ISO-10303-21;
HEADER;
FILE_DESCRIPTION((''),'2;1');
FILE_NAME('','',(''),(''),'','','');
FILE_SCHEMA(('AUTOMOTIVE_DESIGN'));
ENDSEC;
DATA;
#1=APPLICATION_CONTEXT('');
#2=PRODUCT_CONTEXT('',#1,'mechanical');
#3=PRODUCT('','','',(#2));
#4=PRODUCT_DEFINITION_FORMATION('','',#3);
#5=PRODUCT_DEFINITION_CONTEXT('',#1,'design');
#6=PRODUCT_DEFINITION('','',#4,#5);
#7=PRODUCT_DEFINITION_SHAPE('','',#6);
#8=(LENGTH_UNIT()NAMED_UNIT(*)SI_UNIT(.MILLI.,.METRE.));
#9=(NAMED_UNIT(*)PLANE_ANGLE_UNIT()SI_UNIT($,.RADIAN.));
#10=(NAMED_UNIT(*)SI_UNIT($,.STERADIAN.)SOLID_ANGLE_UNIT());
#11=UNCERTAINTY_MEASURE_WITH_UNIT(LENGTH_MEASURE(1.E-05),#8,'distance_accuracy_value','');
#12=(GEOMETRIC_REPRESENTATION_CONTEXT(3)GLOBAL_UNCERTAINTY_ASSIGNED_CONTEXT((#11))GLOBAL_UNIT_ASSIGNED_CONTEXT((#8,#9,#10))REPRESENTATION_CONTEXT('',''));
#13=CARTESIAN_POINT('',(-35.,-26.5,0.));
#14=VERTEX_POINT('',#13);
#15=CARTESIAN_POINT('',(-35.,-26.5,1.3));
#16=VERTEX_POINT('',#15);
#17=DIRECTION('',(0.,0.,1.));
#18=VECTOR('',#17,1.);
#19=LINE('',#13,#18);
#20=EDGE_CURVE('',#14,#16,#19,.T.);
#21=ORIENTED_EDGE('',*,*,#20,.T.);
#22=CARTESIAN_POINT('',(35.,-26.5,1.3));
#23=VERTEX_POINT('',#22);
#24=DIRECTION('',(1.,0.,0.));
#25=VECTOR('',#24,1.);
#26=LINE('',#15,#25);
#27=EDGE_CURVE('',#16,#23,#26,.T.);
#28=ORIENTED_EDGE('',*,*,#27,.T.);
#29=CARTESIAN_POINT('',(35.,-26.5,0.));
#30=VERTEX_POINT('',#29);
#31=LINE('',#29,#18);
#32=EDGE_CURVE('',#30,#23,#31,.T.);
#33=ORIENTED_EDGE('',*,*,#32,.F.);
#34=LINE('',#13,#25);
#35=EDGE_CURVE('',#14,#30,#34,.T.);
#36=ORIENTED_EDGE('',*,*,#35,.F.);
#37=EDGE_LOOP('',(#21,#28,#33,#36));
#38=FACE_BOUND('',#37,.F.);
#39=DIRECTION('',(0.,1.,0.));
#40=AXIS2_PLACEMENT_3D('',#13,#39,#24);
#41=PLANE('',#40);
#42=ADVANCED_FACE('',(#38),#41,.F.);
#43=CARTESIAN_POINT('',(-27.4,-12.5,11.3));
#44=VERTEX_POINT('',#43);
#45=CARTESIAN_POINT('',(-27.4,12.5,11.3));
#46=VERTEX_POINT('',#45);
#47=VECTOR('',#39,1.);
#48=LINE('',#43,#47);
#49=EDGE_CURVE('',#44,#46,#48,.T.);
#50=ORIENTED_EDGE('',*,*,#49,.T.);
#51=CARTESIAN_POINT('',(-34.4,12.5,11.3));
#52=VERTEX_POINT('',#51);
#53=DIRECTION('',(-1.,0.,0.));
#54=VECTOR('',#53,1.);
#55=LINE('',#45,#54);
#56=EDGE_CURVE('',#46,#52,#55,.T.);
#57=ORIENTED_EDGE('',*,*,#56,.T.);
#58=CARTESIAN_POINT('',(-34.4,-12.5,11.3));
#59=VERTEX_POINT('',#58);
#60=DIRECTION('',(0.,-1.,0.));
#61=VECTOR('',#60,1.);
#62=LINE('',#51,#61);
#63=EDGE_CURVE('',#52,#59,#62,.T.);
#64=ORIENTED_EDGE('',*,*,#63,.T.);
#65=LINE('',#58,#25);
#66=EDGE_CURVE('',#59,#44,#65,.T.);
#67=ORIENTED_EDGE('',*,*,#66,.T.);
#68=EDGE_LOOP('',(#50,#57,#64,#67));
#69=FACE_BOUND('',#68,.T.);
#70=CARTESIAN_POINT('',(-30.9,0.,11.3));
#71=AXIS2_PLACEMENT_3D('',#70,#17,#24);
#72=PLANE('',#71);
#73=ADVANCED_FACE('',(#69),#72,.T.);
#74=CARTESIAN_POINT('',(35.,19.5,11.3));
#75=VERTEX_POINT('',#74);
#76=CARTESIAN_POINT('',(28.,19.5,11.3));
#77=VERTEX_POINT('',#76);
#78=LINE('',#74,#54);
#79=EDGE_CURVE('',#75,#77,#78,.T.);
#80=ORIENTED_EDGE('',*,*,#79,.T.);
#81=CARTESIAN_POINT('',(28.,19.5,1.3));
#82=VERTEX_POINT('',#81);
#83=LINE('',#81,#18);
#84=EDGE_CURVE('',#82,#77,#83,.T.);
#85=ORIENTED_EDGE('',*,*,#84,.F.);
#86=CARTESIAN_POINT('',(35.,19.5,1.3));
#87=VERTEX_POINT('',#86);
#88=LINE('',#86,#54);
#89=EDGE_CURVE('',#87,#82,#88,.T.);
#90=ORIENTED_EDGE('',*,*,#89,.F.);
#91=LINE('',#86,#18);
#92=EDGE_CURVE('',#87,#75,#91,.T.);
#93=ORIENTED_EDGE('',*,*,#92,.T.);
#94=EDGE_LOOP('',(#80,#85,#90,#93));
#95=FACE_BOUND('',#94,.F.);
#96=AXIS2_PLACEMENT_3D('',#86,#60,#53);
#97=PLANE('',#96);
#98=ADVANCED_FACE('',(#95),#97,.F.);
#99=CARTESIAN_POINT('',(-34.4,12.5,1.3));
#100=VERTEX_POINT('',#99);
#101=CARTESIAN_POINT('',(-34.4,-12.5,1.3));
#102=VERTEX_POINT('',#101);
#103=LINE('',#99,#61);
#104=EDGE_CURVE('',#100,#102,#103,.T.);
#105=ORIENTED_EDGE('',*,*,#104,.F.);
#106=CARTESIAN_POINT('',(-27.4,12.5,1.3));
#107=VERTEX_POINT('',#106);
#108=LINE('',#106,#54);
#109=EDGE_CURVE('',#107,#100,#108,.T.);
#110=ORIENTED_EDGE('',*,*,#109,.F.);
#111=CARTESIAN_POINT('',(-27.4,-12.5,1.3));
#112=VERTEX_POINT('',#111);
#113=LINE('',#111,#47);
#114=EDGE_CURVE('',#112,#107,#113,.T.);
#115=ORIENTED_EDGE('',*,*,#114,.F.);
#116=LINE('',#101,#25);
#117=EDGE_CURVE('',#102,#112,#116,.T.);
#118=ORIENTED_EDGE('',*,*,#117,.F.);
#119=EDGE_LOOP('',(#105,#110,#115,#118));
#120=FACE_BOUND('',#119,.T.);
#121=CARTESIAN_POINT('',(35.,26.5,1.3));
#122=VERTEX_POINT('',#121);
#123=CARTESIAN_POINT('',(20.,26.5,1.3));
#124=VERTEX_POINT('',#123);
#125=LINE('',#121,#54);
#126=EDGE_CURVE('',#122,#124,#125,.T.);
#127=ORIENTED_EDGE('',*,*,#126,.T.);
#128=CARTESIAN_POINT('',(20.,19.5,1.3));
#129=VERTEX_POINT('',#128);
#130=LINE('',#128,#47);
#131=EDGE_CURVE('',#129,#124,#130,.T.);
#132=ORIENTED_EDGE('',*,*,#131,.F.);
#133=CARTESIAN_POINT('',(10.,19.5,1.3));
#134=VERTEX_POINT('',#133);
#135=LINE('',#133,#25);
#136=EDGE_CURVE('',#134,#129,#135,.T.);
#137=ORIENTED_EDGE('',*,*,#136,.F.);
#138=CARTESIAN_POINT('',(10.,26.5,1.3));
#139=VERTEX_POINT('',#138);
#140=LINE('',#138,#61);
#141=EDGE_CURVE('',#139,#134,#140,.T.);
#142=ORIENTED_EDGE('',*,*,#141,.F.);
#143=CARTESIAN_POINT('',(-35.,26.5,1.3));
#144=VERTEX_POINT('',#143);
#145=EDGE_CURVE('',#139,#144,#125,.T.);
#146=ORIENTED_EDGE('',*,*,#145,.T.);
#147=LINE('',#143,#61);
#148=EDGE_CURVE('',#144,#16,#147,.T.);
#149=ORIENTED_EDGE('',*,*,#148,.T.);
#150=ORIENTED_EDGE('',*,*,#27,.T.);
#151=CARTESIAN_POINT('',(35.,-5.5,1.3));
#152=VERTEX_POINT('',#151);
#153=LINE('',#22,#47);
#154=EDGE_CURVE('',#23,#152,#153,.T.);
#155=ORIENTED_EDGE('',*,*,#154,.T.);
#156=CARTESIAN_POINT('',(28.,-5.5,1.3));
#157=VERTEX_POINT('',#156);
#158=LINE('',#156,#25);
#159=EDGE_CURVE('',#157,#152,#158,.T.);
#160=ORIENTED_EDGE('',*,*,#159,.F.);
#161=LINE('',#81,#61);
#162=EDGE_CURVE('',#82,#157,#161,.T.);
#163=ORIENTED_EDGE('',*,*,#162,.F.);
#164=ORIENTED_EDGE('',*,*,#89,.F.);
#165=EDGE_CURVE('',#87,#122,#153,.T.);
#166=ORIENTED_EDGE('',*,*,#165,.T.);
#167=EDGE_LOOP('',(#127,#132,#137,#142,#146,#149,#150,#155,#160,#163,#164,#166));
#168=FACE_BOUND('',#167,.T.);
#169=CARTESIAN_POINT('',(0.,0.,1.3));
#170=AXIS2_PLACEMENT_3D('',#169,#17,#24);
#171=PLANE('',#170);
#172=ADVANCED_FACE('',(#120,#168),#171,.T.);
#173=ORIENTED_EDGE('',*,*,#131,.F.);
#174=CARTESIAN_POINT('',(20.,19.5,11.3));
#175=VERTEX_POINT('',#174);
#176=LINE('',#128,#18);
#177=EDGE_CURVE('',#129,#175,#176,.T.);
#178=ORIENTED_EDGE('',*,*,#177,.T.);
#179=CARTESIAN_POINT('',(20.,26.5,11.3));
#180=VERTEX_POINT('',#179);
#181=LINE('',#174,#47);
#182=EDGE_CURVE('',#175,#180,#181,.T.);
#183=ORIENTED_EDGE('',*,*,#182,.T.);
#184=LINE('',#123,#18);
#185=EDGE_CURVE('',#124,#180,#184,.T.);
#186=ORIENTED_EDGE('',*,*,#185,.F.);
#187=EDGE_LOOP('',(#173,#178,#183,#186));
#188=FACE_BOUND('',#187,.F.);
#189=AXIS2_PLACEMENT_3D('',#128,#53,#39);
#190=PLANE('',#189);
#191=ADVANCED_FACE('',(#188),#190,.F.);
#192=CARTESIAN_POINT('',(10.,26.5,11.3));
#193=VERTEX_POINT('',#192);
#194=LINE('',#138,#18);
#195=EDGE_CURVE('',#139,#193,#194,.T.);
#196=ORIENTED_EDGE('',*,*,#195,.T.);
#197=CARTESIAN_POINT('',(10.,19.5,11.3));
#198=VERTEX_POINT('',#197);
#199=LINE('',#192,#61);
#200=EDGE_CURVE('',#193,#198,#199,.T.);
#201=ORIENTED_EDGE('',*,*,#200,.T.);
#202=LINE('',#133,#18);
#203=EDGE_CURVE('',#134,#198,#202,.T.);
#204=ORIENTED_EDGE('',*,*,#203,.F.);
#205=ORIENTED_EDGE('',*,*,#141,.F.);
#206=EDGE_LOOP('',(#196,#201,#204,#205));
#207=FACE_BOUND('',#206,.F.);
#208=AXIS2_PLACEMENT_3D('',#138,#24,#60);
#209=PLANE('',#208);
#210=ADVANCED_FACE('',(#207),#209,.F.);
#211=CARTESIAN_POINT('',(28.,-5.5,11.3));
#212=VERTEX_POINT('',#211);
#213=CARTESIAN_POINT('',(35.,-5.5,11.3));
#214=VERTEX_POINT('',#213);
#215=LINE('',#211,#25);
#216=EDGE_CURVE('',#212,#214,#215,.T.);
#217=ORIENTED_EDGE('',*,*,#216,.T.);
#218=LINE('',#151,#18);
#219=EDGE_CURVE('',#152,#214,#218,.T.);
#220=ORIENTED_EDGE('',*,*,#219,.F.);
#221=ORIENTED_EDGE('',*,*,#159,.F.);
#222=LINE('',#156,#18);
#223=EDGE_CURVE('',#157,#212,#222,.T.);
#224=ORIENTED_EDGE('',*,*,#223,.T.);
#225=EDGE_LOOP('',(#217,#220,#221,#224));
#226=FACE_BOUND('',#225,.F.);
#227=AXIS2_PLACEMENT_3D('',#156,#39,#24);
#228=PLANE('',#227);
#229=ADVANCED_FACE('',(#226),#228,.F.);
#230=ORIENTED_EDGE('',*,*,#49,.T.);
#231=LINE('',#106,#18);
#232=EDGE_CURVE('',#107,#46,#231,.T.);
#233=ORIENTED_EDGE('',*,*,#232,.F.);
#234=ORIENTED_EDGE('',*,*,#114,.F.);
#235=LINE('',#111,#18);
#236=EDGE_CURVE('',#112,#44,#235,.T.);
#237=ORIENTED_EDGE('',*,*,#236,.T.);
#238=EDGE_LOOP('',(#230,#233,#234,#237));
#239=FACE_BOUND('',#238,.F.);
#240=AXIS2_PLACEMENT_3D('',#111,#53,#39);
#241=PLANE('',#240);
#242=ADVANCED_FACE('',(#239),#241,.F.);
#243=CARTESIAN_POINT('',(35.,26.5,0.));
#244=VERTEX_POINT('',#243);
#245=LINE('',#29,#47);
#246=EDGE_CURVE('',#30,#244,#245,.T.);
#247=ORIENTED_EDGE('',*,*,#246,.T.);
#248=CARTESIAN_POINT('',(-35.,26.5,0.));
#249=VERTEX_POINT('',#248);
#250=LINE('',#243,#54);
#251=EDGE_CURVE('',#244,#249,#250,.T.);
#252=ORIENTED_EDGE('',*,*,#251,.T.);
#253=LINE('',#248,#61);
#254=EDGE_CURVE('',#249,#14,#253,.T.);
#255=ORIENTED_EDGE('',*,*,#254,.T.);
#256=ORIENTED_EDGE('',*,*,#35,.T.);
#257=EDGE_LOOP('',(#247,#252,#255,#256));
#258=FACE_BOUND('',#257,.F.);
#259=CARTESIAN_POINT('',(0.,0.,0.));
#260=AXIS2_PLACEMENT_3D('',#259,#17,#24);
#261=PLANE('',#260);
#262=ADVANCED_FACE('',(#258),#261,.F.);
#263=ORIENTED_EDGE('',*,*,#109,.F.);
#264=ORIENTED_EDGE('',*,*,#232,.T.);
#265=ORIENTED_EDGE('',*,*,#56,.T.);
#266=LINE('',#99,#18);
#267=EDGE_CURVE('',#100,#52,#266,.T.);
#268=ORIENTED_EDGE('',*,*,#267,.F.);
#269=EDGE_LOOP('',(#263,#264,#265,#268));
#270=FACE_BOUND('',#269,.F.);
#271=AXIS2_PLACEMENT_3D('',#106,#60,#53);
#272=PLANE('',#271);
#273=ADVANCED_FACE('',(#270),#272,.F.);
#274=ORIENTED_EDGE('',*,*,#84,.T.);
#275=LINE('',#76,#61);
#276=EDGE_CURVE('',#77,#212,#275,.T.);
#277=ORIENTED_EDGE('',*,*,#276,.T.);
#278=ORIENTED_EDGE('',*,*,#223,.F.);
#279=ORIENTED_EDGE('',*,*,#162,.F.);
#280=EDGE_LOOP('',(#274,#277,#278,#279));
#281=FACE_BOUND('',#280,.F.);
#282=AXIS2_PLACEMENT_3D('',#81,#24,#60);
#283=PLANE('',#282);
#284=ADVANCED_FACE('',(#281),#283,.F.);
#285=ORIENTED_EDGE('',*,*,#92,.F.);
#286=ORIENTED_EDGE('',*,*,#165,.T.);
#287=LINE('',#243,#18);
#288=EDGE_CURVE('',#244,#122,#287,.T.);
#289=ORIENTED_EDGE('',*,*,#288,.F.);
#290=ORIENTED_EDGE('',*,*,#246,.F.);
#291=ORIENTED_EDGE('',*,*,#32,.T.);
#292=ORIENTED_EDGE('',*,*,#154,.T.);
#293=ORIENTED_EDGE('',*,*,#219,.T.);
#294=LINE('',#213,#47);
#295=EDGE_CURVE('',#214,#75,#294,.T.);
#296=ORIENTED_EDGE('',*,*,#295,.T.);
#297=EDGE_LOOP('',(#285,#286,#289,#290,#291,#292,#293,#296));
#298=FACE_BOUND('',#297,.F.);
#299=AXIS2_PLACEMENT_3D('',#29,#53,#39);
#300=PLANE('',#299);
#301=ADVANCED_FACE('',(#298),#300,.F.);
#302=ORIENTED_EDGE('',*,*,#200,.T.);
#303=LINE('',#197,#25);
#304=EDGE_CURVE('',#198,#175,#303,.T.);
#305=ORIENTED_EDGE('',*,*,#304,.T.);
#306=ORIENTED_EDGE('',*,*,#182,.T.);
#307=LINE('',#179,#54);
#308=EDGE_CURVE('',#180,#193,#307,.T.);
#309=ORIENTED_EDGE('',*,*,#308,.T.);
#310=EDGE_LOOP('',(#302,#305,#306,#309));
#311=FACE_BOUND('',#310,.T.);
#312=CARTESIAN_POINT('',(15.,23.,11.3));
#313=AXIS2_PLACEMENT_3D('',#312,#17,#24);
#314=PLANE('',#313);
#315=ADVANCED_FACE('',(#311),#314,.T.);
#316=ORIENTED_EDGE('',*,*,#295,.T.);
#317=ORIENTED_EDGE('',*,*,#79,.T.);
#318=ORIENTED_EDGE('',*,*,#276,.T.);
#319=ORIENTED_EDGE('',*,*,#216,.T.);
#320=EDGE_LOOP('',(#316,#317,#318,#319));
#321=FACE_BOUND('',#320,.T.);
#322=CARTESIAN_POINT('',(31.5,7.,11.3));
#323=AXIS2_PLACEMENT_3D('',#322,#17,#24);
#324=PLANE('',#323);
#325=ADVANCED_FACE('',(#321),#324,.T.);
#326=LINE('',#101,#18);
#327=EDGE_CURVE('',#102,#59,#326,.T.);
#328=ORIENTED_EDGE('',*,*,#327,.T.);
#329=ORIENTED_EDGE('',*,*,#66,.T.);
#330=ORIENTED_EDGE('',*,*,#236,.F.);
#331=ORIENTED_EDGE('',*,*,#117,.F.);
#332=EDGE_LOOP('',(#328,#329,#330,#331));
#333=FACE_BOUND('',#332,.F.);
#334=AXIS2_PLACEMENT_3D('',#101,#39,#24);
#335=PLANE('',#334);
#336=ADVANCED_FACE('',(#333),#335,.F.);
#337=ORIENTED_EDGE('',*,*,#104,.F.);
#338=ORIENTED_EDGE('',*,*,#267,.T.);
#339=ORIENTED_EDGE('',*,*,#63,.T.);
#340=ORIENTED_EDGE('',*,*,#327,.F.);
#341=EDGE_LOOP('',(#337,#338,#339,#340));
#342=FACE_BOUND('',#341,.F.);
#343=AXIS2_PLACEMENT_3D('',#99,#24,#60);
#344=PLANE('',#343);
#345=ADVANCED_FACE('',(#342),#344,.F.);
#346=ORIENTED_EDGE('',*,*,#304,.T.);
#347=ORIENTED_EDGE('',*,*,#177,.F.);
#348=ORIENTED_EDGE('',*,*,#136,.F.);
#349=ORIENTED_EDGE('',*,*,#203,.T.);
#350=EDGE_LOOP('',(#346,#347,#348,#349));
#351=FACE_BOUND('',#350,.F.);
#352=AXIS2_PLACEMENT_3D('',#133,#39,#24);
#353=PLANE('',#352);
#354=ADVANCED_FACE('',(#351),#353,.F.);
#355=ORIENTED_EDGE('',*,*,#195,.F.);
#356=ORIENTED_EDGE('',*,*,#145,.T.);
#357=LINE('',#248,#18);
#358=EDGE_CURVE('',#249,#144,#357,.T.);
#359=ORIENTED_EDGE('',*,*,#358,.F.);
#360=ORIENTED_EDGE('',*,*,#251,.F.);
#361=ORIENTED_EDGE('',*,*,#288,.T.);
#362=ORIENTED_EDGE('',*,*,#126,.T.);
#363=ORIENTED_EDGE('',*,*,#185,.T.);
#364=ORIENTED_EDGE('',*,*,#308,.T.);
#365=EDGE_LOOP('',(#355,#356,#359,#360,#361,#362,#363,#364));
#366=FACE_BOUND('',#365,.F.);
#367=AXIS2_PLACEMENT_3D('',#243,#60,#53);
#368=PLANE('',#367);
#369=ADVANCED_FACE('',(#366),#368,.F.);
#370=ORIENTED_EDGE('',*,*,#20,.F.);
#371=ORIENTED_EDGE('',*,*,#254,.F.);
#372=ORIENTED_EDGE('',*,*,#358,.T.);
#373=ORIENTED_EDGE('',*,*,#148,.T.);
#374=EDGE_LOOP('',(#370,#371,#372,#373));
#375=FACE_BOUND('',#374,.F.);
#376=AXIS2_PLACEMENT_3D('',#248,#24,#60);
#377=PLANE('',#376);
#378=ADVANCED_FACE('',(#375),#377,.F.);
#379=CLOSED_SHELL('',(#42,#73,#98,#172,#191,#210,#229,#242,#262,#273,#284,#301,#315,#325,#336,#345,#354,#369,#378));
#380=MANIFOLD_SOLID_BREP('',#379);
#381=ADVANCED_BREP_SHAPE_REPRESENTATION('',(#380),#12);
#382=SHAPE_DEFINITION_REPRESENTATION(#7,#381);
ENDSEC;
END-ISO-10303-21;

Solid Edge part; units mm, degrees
sketch "Sketch1" plane through (0, 0, 0) normal (0, 0, 1) x (1, 0, 0)
  line L0 (-35, -26.5) -> (35, -26.5)
  line L1 (35, -26.5) -> (35, 26.5)
  line L2 (35, 26.5) -> (-35, 26.5)
  line L3 (-35, 26.5) -> (-35, -26.5)
  dimension "D1" = 70
  dimension "D2" = 53
extrude "Ajout_matière_1" add sketch "Sketch1" along normal blind 1.3
sketch "Sketch2" plane through (0, 0, 1.3) normal (0, 0, 1) x (1, 0, 0)
  line L0 (10, 19.5) -> (20, 19.5)
  line L1 (20, 19.5) -> (20, 26.5)
  line L2 (20, 26.5) -> (10, 26.5)
  line L3 (10, 26.5) -> (10, 19.5)
  line L4 (28, -5.5) -> (35, -5.5)
  line L5 (35, -5.5) -> (35, 19.5)
  line L6 (35, 19.5) -> (28, 19.5)
  line L7 (28, 19.5) -> (28, -5.5)
  line L8 (-34.4, -12.5) -> (-27.4, -12.5)
  line L9 (-27.4, -12.5) -> (-27.4, 12.5)
  line L10 (-27.4, 12.5) -> (-34.4, 12.5)
  line L11 (-34.4, 12.5) -> (-34.4, -12.5)
  dimension "D1" = 7
  dimension "D2" = 25
  dimension "D3" = 28
  dimension "D4" = 7
  dimension "D5" = 7
  dimension "D6" = 10
  dimension "D7" = 15
  dimension "D8" = 7
  dimension "D9" = 25
  dimension "D10" = 14
  dimension "D11" = 0.6
extrude "Ajout_matière_2" add sketch "Sketch2" along normal blind 10
properties material "Acier S235"
